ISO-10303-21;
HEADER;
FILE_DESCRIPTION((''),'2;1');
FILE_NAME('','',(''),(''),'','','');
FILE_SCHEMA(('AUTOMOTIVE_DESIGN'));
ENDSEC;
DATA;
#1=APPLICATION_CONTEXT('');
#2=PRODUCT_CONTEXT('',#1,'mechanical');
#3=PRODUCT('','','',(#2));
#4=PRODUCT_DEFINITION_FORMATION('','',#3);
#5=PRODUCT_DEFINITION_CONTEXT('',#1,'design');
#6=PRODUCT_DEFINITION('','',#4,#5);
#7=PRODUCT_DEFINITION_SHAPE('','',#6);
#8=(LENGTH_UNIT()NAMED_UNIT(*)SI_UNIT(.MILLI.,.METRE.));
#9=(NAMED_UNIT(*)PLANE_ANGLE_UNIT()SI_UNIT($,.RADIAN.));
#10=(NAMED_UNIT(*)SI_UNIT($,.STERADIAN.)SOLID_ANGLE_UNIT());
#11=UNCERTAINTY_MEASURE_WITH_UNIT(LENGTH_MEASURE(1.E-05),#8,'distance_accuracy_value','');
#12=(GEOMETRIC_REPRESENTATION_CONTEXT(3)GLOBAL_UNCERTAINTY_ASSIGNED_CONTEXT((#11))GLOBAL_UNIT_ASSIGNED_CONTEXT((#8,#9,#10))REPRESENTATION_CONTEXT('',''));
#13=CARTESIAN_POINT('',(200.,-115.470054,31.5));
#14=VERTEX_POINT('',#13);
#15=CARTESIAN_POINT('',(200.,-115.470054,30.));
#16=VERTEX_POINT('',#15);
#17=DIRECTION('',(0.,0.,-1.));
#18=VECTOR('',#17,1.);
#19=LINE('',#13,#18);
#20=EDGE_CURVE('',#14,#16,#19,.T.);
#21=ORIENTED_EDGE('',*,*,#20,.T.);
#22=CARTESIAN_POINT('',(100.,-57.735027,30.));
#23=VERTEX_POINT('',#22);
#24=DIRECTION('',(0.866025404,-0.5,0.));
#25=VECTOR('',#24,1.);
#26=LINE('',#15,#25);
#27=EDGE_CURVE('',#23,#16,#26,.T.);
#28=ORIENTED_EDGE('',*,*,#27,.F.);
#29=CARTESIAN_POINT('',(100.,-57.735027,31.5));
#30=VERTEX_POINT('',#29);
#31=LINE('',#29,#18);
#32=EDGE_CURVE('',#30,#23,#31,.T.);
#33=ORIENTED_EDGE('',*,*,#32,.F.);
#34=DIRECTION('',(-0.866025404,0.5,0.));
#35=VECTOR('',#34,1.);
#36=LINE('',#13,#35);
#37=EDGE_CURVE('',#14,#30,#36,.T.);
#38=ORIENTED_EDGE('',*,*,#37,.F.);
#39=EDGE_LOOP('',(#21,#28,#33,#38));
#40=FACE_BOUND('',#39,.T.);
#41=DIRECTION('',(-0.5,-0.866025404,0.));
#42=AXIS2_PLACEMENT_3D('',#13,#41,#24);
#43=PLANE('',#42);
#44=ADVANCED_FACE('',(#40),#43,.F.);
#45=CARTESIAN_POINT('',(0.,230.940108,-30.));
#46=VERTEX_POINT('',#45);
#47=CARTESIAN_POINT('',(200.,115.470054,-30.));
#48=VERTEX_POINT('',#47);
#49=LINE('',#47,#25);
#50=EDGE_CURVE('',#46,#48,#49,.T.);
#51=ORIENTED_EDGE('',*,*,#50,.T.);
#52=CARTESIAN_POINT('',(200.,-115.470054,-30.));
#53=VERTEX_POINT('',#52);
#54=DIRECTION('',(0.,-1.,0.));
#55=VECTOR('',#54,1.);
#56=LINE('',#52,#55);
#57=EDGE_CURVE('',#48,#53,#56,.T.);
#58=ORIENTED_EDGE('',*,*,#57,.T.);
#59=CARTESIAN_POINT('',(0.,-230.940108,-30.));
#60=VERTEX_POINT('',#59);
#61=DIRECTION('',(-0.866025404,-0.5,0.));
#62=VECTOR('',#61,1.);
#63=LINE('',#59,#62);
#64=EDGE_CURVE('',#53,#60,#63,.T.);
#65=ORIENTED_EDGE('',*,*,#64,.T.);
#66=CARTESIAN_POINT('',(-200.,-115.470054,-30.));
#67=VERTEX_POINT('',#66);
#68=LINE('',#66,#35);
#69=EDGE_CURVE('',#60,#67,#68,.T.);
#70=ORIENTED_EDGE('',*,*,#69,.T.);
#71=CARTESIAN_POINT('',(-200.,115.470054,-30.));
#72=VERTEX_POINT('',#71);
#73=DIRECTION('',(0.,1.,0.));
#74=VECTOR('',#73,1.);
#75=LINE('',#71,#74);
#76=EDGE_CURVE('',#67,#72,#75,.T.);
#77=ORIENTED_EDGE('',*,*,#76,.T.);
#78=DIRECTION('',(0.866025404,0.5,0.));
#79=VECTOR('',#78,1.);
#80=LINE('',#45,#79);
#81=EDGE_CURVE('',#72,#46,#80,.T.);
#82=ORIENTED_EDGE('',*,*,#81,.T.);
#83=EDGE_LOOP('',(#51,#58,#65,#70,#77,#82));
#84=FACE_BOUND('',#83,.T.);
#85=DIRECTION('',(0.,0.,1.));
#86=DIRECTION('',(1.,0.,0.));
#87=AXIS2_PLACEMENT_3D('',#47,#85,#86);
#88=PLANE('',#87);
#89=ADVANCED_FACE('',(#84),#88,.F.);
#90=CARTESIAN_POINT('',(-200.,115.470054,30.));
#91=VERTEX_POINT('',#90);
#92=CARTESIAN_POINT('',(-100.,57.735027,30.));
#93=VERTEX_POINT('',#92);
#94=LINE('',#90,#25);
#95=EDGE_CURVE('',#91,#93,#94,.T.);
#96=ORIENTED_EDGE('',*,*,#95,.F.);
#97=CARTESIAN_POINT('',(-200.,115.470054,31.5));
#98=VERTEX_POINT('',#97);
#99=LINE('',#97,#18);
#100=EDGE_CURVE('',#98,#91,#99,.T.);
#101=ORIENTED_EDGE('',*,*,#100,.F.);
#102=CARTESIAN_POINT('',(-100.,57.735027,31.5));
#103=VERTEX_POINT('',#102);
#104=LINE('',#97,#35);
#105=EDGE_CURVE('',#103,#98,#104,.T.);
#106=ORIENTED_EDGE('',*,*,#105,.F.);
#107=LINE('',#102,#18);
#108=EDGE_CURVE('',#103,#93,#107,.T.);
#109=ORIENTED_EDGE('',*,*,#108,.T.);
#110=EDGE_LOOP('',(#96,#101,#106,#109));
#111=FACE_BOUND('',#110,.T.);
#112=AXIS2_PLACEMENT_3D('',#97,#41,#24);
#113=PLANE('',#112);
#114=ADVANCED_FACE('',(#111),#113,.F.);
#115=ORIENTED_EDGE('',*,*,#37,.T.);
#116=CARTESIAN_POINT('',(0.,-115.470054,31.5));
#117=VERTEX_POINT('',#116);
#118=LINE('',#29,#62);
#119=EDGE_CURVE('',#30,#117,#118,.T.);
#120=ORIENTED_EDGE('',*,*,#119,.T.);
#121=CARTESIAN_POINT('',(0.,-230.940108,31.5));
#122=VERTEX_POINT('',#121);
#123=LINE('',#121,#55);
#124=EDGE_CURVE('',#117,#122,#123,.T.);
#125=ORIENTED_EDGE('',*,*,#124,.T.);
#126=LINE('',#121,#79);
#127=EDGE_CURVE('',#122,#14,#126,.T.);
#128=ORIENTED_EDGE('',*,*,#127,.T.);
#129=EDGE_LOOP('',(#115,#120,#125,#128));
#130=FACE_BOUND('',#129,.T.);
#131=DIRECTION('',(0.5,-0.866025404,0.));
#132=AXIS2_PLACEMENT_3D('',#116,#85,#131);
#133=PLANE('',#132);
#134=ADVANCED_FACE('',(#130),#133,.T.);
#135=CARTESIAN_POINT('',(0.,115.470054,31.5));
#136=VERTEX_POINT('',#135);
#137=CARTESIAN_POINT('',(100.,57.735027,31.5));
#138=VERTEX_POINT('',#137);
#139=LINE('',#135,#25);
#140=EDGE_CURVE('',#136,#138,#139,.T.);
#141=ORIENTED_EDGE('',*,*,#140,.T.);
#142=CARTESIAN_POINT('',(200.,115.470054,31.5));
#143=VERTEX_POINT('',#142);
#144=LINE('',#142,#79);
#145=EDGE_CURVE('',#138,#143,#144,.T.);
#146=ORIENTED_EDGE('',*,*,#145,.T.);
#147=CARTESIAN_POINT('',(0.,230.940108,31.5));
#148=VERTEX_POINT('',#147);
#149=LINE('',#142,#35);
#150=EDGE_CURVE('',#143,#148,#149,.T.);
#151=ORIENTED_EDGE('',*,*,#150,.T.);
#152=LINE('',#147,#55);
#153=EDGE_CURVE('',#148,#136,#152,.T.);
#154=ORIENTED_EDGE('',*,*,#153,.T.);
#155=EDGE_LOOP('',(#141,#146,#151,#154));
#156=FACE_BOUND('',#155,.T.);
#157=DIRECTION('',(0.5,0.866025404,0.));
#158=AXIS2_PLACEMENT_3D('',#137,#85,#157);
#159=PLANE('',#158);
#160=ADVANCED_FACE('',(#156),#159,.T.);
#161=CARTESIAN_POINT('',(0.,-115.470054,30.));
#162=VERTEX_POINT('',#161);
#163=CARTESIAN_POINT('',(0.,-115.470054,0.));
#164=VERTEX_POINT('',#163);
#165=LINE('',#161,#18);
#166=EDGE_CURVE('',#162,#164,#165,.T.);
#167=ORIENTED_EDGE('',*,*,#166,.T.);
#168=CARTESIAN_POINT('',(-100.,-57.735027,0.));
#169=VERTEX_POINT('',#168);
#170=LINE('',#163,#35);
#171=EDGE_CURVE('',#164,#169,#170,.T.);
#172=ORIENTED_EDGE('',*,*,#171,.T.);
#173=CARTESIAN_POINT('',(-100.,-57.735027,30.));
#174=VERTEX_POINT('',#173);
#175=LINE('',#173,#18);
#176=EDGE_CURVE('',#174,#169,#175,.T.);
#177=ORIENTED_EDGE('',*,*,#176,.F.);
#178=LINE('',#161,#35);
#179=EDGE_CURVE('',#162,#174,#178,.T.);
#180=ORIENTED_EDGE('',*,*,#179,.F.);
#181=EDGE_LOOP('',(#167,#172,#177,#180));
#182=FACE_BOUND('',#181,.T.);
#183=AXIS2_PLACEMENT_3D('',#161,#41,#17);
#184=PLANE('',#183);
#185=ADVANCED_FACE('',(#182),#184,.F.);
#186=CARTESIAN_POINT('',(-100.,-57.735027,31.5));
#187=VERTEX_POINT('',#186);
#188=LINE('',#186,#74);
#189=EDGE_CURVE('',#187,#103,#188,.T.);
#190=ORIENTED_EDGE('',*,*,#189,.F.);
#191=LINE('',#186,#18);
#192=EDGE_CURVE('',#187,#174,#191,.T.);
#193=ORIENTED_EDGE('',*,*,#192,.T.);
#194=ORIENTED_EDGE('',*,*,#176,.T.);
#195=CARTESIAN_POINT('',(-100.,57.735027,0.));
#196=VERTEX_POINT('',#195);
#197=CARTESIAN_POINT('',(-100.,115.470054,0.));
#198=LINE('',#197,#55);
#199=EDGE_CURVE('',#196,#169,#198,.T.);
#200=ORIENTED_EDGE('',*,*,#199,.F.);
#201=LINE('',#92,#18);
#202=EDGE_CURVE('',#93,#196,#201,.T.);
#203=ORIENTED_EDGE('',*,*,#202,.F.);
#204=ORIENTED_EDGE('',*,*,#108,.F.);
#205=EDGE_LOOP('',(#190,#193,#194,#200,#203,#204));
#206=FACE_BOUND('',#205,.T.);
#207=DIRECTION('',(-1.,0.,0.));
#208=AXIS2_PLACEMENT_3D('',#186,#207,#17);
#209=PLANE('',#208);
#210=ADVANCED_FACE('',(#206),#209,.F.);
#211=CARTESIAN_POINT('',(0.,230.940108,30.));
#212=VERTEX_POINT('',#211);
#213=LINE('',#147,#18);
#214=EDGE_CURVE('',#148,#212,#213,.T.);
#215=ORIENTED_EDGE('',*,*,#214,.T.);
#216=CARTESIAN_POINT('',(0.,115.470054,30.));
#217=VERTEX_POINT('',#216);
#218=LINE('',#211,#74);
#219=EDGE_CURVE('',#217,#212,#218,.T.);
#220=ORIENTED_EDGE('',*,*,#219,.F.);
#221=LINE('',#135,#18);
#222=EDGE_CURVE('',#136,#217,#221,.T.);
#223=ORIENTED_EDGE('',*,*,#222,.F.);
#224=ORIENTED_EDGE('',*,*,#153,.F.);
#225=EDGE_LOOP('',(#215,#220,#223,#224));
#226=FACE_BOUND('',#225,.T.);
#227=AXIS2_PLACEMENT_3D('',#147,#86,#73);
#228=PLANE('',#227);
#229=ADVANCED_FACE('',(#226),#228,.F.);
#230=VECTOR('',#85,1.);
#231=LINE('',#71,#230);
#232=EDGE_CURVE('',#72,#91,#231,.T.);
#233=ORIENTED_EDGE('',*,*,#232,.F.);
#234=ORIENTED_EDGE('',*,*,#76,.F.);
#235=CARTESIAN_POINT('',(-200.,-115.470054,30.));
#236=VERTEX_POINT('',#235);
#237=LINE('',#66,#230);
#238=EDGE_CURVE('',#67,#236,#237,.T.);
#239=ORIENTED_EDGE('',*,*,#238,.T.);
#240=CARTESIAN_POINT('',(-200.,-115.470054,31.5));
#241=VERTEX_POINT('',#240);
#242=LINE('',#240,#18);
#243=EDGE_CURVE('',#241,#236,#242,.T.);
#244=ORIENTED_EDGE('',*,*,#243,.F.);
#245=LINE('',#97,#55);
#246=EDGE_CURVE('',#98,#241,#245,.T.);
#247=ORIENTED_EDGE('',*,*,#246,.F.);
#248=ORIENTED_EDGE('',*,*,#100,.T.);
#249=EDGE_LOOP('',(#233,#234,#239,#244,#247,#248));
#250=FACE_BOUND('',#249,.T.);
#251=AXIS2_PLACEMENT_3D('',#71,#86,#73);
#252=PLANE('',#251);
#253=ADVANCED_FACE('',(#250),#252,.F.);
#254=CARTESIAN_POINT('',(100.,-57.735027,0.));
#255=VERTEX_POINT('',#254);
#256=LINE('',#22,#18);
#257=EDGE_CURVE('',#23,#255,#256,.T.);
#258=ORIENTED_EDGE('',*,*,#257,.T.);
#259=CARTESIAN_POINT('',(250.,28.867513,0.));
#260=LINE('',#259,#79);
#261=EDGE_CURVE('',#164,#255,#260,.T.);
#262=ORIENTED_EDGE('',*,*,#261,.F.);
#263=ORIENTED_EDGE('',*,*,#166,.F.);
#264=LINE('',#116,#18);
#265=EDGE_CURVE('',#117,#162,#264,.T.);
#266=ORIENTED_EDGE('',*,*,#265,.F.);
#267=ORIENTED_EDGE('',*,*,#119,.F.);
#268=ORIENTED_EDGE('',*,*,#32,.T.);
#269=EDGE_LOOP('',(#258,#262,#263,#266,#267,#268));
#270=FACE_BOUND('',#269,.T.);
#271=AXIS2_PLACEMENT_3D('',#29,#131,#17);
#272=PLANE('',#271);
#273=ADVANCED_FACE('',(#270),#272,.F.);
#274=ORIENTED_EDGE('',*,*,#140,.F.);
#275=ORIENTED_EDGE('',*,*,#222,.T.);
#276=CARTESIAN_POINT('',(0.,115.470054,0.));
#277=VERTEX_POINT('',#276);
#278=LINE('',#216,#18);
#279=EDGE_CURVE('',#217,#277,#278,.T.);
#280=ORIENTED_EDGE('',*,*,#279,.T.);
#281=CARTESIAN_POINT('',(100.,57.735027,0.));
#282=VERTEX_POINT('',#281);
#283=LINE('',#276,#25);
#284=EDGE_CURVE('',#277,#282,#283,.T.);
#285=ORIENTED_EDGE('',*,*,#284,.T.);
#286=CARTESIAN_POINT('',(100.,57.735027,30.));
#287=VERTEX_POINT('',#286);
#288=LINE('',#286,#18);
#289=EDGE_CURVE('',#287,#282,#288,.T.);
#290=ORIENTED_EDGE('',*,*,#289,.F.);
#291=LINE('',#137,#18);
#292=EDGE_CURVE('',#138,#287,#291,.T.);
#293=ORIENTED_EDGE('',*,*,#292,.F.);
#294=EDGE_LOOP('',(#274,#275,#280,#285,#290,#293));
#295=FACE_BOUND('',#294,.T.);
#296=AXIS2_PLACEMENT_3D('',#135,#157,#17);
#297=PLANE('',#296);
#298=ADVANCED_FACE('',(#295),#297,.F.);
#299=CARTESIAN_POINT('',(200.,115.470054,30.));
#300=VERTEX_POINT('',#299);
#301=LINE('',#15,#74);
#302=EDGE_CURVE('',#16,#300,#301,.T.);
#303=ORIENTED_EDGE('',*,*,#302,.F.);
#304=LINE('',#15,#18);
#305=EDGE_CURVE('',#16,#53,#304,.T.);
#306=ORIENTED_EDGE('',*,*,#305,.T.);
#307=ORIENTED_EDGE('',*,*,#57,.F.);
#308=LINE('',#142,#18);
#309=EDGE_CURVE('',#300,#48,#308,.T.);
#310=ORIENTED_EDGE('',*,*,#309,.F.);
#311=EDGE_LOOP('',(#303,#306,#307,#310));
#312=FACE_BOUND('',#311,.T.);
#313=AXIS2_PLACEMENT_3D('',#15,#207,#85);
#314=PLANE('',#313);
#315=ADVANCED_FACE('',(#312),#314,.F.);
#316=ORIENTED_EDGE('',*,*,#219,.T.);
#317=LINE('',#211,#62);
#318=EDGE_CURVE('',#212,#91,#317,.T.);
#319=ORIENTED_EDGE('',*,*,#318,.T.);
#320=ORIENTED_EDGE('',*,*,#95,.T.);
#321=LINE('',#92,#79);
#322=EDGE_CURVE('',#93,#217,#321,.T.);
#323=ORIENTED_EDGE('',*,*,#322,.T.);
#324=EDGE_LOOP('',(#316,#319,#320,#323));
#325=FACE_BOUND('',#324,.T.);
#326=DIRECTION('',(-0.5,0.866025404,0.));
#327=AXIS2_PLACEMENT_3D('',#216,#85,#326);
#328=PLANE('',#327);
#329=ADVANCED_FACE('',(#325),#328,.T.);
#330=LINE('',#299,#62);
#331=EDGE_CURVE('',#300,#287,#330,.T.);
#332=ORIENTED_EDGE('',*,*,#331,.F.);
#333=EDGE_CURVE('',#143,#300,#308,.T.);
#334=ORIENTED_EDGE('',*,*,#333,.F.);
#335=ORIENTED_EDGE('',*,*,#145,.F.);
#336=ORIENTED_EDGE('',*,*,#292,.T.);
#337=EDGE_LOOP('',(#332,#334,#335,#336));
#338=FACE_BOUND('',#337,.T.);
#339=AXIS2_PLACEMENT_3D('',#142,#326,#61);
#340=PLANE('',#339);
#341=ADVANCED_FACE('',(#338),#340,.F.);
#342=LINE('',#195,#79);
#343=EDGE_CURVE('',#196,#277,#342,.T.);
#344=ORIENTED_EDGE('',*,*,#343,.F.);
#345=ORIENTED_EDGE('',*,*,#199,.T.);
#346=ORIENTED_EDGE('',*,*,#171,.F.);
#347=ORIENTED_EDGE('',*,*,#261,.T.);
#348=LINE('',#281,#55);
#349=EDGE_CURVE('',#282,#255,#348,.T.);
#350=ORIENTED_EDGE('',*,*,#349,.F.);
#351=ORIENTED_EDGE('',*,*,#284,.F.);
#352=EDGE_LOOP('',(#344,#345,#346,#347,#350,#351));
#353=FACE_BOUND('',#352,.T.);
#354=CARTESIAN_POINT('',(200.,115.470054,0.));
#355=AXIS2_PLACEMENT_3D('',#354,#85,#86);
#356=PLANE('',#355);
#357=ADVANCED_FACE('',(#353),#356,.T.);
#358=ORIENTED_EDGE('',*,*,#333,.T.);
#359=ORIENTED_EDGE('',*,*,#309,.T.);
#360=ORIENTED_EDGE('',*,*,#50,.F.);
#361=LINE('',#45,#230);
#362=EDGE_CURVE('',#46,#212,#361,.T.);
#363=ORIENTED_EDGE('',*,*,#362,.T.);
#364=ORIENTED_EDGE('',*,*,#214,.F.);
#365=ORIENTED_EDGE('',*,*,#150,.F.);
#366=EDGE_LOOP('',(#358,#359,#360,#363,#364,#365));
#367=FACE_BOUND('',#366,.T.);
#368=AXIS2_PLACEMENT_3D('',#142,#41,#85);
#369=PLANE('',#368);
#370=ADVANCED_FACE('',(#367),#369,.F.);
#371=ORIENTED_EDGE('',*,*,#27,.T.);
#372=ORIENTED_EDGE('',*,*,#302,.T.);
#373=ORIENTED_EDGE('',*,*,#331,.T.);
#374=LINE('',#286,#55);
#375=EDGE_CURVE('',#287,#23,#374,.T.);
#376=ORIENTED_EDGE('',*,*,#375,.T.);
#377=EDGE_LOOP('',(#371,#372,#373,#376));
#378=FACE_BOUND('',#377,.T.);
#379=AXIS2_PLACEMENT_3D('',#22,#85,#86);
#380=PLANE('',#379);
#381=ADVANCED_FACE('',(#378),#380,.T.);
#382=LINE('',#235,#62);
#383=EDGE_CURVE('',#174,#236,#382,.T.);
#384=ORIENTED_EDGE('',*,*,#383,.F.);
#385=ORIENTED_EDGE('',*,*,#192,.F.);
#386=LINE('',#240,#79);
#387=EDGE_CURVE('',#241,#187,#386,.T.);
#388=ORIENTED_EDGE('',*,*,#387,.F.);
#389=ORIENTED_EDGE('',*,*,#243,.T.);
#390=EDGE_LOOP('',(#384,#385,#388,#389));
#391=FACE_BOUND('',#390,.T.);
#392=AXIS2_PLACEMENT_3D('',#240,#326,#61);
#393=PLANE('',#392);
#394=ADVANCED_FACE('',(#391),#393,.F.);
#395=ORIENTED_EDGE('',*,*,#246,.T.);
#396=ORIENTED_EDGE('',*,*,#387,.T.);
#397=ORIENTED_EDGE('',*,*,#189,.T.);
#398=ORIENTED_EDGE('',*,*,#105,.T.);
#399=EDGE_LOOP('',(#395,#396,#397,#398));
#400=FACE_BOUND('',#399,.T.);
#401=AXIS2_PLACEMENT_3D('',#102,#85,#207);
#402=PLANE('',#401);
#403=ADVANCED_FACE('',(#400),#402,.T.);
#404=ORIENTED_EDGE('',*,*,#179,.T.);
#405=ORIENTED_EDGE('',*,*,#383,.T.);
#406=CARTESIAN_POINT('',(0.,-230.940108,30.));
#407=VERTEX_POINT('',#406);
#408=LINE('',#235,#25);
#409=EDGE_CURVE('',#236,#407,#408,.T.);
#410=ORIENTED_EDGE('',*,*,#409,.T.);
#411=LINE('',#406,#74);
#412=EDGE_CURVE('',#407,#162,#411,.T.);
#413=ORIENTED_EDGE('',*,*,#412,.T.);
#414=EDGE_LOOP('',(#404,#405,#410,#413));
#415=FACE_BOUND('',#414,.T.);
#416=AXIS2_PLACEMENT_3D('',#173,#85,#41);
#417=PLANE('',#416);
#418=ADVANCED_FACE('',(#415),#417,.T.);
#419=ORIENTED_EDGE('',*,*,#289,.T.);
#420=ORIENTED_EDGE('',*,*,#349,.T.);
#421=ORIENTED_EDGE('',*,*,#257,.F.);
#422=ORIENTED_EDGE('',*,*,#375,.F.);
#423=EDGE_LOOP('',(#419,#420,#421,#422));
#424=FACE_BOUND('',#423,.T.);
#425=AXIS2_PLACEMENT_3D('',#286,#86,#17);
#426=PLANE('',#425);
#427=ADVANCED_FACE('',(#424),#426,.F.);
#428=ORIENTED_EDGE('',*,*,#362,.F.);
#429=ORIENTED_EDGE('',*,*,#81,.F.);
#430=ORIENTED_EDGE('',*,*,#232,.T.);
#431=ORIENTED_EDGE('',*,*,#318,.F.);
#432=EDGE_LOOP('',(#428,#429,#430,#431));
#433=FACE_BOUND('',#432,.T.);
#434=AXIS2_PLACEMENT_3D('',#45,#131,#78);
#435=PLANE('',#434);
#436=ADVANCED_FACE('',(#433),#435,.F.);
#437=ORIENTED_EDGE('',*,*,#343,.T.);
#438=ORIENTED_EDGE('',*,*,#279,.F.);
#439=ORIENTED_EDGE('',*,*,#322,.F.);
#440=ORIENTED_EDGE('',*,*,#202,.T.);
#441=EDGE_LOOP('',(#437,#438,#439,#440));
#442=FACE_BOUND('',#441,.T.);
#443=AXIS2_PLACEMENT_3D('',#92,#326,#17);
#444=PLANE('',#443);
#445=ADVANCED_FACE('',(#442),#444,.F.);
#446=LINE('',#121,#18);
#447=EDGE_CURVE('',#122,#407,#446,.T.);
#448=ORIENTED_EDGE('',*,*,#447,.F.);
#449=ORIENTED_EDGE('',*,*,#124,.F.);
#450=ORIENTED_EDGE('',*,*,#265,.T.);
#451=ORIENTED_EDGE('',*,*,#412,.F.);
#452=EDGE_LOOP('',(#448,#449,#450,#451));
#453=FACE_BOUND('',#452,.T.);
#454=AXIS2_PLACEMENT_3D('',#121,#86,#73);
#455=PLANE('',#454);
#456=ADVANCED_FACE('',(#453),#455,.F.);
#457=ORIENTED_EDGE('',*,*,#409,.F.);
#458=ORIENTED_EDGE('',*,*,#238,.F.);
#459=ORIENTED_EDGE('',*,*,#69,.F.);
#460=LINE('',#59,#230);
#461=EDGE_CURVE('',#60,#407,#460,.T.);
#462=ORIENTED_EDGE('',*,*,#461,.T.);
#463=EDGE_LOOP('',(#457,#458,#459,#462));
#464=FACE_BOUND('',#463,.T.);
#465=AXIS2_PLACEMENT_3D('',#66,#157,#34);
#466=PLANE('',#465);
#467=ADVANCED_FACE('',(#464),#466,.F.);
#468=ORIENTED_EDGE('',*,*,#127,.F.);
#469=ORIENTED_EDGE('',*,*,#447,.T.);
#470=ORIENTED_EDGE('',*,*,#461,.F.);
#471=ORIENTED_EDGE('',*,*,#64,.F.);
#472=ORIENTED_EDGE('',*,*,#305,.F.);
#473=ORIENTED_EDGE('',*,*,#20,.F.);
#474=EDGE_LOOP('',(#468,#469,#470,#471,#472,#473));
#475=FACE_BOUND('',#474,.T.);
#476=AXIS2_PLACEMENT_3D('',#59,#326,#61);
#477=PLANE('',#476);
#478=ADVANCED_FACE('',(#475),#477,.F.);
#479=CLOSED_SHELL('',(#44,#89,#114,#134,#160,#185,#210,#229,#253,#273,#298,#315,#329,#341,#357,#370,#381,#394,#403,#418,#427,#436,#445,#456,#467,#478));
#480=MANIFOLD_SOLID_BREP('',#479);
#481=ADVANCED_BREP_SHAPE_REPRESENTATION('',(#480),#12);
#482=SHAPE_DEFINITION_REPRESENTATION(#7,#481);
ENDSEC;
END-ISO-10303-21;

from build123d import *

# Parameters (mm, degrees)
BOSS_EXTRUDE1_DEPTH   = 30
BODY_MOVE_COPY1_ANGLE = 60
SCALE1_SCALE_X        = 1
SCALE1_SCALE_Y        = 1
SCALE1_SCALE_Z        = 1.1
CIRPATTERN2_COUNT     = 3
BOSS_EXTRUDE3_DEPTH   = 30


with BuildPart() as part:
    # Sketch1 → Boss-Extrude1 (new body)
    with BuildSketch(Plane.XY):
        Polygon((200, -115.470053838), (200, 115.470053838), (100, 57.735026919), (100, -57.735026919), align=None)
    extrude(amount=BOSS_EXTRUDE1_DEPTH)


with BuildPart() as body_2:
    # Body-Move/Copy1: copy of part
    add(part.part.rotate(Axis((0, 0, 0), (0, 0, 1)), BODY_MOVE_COPY1_ANGLE))


with BuildPart() as body_2_1:
    # Scale1: scaled about (77.777777778, 134.715062811, 15)
    add(body_2.part.scale((SCALE1_SCALE_X, SCALE1_SCALE_Y, SCALE1_SCALE_Z), about=(77.777777778, 134.715062811, 15)))

    # Combine1: union part
    add(part.part)


with BuildPart() as cirpattern2_1:
    # CirPattern2: pattern copy
    add(body_2_1.part.rotate(Axis((0, 0, -1.5), (0, 0, 1)), 1 * 360 / CIRPATTERN2_COUNT))


with BuildPart() as cirpattern2_2:
    # CirPattern2: pattern copy
    add(body_2_1.part.rotate(Axis((0, 0, -1.5), (0, 0, 1)), 2 * 360 / CIRPATTERN2_COUNT))


with BuildPart() as body_2_2:
    add(body_2_1.part)

    add(cirpattern2_1.part)  # Boss-Extrude3 merges CirPattern2_1

    add(cirpattern2_2.part)  # Boss-Extrude3 merges CirPattern2_2
    # Sketch2 → Boss-Extrude3 (add)
    with BuildSketch(Plane(origin=(0, 0, 0), x_dir=(-1, 0, 0), z_dir=(0, 0, -1))):
        Polygon((-200, 115.470053838), (0, 230.940107676), (200, 115.470053838), (200, -115.470053838), (0, -230.940107676), (-200, -115.470053838), align=None)
    extrude(amount=BOSS_EXTRUDE3_DEPTH)


solid = body_2_2.part
